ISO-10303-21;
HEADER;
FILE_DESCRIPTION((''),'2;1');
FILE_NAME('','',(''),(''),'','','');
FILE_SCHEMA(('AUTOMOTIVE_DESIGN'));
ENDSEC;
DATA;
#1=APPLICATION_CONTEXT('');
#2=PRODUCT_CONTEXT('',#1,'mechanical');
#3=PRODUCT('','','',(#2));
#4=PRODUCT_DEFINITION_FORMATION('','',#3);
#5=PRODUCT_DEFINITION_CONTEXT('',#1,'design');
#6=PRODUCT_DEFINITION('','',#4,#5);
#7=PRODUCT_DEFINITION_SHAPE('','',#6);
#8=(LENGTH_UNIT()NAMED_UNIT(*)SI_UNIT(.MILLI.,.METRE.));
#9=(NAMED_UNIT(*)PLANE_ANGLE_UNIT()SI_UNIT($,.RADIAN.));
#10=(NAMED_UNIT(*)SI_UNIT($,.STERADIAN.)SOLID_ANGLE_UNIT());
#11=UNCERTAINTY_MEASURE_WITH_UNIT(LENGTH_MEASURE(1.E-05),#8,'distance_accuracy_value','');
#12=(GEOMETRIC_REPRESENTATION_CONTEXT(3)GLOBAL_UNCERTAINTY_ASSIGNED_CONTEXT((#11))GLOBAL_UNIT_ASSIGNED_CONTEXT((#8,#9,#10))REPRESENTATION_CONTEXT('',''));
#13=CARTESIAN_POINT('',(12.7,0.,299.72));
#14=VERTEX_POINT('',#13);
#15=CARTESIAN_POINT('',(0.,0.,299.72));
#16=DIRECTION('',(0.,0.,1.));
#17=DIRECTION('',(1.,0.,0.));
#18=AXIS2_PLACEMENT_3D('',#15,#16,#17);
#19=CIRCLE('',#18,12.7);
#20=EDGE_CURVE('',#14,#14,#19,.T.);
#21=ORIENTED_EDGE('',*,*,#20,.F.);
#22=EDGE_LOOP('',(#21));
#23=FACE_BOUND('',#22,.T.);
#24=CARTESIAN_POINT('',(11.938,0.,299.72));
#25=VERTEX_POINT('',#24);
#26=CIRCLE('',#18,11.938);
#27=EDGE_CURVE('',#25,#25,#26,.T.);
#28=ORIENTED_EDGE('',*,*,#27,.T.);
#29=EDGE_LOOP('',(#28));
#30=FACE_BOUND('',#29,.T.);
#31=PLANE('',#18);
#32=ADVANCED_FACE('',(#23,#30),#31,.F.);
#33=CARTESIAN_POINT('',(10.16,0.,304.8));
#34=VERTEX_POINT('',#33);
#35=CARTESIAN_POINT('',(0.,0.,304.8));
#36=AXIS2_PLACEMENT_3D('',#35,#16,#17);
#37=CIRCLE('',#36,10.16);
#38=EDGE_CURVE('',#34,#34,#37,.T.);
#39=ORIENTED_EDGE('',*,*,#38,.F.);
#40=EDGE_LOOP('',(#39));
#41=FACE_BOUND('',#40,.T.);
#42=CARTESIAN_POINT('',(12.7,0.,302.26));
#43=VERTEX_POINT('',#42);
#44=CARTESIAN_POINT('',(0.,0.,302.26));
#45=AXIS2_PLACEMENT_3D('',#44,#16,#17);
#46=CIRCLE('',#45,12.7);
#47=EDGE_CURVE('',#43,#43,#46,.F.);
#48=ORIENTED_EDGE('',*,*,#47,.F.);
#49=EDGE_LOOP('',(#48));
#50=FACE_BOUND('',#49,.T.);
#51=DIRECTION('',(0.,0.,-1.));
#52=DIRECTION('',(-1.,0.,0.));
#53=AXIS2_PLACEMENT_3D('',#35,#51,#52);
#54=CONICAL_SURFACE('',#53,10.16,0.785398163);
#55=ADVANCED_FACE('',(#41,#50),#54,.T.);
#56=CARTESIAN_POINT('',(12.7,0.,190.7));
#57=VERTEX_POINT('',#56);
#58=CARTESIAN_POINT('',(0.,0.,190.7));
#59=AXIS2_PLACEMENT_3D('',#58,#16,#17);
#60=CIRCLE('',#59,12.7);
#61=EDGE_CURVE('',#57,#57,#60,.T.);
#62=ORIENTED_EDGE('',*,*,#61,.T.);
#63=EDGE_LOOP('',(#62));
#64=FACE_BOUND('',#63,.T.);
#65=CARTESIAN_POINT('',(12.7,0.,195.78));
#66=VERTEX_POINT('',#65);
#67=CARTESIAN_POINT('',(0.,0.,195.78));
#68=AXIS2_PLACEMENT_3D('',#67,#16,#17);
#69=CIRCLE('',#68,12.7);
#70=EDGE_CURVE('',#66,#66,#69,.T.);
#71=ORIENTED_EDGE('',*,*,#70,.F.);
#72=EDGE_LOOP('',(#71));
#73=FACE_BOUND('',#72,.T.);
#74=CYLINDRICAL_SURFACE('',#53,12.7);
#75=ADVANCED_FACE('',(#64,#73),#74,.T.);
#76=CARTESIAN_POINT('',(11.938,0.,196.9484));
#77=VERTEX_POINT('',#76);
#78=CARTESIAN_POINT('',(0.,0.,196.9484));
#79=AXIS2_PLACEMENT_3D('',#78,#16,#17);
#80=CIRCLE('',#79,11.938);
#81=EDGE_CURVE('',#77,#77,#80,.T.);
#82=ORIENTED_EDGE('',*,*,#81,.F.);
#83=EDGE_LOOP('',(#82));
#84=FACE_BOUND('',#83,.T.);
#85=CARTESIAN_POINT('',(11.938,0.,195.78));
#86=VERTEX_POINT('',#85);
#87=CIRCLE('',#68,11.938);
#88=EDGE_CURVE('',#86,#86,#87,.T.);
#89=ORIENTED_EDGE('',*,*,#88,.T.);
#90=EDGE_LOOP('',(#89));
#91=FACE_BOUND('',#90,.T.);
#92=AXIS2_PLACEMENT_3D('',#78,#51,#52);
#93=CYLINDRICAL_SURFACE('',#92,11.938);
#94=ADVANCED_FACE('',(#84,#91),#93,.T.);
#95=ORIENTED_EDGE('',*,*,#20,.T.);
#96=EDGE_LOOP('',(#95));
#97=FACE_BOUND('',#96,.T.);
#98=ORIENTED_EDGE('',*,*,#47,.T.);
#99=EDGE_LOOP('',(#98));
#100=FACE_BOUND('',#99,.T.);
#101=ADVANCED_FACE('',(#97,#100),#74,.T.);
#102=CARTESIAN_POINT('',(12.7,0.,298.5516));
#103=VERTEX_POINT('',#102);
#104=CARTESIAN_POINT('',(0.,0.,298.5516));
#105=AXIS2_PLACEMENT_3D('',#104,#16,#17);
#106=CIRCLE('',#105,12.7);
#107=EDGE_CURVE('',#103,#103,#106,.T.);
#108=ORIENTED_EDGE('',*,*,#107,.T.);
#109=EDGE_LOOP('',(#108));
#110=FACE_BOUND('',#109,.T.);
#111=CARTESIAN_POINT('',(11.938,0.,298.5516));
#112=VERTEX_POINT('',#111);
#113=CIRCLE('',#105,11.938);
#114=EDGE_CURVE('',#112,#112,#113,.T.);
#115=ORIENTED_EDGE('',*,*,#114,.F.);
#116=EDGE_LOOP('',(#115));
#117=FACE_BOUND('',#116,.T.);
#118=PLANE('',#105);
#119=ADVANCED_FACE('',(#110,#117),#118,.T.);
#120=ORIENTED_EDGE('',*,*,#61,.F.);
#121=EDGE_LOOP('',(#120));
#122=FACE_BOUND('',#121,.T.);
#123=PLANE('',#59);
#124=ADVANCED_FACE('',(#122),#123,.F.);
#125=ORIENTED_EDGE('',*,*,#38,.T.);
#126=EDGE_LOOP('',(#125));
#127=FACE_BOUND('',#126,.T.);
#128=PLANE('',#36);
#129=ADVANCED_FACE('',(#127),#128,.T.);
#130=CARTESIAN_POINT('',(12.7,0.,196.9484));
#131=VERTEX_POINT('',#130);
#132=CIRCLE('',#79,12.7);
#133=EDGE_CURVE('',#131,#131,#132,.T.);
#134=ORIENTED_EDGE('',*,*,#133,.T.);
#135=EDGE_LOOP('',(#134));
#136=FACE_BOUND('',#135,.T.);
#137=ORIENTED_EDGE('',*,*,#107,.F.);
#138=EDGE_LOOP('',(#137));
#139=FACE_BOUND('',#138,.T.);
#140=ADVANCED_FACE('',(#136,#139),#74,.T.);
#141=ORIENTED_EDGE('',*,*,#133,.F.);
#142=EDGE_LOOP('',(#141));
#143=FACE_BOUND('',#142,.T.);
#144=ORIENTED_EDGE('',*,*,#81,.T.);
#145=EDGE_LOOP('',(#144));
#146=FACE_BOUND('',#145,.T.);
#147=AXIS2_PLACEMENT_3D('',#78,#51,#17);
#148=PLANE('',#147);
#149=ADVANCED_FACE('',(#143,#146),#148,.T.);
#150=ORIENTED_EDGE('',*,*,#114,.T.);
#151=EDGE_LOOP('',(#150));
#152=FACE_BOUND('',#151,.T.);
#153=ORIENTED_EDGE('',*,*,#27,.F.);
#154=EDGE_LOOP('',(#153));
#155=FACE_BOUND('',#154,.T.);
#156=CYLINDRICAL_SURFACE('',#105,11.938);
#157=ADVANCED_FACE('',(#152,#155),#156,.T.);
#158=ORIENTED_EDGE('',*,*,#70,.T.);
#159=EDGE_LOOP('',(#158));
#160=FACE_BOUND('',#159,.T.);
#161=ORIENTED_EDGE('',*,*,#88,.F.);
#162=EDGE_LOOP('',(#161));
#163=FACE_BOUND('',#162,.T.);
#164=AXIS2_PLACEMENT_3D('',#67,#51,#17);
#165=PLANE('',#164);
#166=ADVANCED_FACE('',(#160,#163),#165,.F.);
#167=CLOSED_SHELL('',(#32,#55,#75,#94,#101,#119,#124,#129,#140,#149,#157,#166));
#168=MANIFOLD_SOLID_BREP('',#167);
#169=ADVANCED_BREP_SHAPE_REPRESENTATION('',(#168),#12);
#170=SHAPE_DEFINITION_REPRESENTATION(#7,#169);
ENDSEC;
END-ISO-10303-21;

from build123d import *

# Parameters (mm, degrees)
SKETCH3_R           = 12.7
BOSS_EXTRUDE1_DEPTH = 304.8
CHAMFER1_SIZE       = 2.54
CUT_EXTRUDE1_START  = -114.1
SKETCH4_R           = 12.7
CUT_EXTRUDE1_DEPTH  = 496.5
CUT_EXTRUDE2_START  = -5.08
SKETCH5_R           = 12.7
SKETCH5_R_2         = 11.938
CUT_EXTRUDE2_DEPTH  = 1.1684


with BuildPart() as part:
    # Sketch3 → Boss-Extrude1 (new body, symmetric)
    with BuildSketch(Plane.XY):
        Circle(SKETCH3_R)
    extrude(amount=BOSS_EXTRUDE1_DEPTH, both=True)

    # Chamfer1
    chamfer1_edges = [part.edges().sort_by_distance(p)[0] for p in [
        (-12.7, 0, -304.8),
        (-12.7, 0, 304.8),
    ]]
    chamfer(chamfer1_edges, length=CHAMFER1_SIZE)

    # Sketch4 → Cut-Extrude1 (cut, through all)
    with BuildSketch(Plane.XY.offset(304.8).offset(CUT_EXTRUDE1_START)):
        Circle(SKETCH4_R)
    extrude(amount=-CUT_EXTRUDE1_DEPTH, mode=Mode.SUBTRACT)

    # Sketch5 → Cut-Extrude2 (cut)
    with BuildSketch(Plane.XY.offset(304.8).offset(CUT_EXTRUDE2_START)):
        Circle(SKETCH5_R)
        Circle(SKETCH5_R_2, mode=Mode.SUBTRACT)
    cut_extrude2 = extrude(amount=-CUT_EXTRUDE2_DEPTH, mode=Mode.SUBTRACT)

    # Mirror3: Cut-Extrude2 across plane
    add(cut_extrude2.mirror(Plane.XY.offset(247.75)), mode=Mode.SUBTRACT)


solid = part.part
